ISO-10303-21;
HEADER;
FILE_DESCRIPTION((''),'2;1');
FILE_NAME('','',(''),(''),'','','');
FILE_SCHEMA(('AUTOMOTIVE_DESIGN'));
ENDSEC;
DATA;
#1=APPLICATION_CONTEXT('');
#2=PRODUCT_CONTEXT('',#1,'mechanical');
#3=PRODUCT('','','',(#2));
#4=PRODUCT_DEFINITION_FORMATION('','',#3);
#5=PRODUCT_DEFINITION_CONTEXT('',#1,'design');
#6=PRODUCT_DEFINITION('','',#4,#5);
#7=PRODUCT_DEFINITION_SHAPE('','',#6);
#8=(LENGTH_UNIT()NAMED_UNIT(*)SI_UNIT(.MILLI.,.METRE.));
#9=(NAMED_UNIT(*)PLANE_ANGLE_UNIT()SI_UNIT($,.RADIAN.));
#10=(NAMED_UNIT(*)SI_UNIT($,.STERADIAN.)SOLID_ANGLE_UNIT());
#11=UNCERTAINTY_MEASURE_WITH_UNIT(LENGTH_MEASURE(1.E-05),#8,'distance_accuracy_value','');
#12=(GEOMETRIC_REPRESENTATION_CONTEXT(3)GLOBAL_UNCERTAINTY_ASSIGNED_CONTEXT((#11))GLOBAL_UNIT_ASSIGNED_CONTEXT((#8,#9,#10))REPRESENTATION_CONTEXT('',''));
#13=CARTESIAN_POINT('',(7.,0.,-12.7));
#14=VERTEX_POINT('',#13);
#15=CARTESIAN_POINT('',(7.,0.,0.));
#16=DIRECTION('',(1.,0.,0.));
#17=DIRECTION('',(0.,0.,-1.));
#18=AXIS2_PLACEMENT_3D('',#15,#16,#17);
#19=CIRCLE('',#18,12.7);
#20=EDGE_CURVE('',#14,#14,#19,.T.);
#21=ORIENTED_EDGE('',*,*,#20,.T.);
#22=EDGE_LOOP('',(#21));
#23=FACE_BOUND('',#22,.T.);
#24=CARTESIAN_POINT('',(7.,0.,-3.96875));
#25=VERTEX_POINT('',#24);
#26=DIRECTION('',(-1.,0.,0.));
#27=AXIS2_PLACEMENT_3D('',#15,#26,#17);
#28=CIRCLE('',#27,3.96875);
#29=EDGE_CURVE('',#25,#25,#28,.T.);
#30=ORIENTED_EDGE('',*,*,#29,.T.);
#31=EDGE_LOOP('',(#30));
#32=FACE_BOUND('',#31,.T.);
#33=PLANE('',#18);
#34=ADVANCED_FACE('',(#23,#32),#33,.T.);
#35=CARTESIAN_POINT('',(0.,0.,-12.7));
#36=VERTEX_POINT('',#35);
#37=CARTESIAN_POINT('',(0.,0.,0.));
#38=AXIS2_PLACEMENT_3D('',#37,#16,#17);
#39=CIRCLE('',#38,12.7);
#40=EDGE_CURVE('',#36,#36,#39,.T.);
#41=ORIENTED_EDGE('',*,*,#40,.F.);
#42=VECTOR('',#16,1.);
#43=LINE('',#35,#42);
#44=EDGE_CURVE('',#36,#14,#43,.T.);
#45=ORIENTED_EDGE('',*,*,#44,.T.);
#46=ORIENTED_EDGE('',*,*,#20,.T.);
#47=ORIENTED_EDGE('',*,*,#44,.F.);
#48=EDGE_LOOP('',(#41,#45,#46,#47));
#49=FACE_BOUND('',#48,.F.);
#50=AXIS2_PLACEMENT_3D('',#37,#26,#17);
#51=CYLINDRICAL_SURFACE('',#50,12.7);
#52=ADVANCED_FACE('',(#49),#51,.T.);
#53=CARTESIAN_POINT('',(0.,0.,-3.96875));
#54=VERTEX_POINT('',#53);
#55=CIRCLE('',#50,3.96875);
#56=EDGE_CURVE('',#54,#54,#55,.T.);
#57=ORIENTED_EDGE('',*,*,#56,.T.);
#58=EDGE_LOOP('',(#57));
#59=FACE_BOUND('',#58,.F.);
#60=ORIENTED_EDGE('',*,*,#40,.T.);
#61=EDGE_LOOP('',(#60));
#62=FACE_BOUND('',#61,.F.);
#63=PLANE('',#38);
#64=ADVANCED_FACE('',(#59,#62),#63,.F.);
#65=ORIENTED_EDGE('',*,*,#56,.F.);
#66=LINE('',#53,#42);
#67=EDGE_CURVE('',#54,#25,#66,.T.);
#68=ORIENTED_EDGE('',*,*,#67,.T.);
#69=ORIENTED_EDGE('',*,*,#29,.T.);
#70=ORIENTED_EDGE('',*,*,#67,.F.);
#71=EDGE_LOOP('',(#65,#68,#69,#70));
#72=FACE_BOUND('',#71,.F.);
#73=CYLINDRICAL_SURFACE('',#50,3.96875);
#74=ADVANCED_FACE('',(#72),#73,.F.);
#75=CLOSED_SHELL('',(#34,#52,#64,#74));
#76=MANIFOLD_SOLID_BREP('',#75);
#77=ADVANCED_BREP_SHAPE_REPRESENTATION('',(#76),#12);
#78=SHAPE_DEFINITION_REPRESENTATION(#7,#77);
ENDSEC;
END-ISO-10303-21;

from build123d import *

# Parameters (mm, degrees)
SKETCH001_R         = 3.96875
EXTRUDE001_DEPTH    = 7
SKETCH_R            = 12.7
EXTRUDE_DEPTH       = 7
CUT_PLACEMENT_ANGLE = 90


with BuildPart() as extrude001:
    # Sketch001 (on Face2 of Extrude) → Extrude001 (new body)
    with BuildSketch(Plane(origin=(0, 0, 0), x_dir=(1, 0, 0), z_dir=(0, 0, -1))):
        Circle(SKETCH001_R)
    extrude(amount=-EXTRUDE001_DEPTH)


with BuildPart() as balerox:
    # Sketch → Extrude (new body)
    with BuildSketch(Plane.XY):
        Circle(SKETCH_R)
    extrude(amount=EXTRUDE_DEPTH)

    # Cut: cut Extrude001
    add(extrude001.part, mode=Mode.SUBTRACT)


with BuildPart() as balerox_1:
    # Cut placement: moved
    add(balerox.part.rotate(Axis((0, 0, 0), (0, 1, 0)), CUT_PLACEMENT_ANGLE))


solid = balerox_1.part
